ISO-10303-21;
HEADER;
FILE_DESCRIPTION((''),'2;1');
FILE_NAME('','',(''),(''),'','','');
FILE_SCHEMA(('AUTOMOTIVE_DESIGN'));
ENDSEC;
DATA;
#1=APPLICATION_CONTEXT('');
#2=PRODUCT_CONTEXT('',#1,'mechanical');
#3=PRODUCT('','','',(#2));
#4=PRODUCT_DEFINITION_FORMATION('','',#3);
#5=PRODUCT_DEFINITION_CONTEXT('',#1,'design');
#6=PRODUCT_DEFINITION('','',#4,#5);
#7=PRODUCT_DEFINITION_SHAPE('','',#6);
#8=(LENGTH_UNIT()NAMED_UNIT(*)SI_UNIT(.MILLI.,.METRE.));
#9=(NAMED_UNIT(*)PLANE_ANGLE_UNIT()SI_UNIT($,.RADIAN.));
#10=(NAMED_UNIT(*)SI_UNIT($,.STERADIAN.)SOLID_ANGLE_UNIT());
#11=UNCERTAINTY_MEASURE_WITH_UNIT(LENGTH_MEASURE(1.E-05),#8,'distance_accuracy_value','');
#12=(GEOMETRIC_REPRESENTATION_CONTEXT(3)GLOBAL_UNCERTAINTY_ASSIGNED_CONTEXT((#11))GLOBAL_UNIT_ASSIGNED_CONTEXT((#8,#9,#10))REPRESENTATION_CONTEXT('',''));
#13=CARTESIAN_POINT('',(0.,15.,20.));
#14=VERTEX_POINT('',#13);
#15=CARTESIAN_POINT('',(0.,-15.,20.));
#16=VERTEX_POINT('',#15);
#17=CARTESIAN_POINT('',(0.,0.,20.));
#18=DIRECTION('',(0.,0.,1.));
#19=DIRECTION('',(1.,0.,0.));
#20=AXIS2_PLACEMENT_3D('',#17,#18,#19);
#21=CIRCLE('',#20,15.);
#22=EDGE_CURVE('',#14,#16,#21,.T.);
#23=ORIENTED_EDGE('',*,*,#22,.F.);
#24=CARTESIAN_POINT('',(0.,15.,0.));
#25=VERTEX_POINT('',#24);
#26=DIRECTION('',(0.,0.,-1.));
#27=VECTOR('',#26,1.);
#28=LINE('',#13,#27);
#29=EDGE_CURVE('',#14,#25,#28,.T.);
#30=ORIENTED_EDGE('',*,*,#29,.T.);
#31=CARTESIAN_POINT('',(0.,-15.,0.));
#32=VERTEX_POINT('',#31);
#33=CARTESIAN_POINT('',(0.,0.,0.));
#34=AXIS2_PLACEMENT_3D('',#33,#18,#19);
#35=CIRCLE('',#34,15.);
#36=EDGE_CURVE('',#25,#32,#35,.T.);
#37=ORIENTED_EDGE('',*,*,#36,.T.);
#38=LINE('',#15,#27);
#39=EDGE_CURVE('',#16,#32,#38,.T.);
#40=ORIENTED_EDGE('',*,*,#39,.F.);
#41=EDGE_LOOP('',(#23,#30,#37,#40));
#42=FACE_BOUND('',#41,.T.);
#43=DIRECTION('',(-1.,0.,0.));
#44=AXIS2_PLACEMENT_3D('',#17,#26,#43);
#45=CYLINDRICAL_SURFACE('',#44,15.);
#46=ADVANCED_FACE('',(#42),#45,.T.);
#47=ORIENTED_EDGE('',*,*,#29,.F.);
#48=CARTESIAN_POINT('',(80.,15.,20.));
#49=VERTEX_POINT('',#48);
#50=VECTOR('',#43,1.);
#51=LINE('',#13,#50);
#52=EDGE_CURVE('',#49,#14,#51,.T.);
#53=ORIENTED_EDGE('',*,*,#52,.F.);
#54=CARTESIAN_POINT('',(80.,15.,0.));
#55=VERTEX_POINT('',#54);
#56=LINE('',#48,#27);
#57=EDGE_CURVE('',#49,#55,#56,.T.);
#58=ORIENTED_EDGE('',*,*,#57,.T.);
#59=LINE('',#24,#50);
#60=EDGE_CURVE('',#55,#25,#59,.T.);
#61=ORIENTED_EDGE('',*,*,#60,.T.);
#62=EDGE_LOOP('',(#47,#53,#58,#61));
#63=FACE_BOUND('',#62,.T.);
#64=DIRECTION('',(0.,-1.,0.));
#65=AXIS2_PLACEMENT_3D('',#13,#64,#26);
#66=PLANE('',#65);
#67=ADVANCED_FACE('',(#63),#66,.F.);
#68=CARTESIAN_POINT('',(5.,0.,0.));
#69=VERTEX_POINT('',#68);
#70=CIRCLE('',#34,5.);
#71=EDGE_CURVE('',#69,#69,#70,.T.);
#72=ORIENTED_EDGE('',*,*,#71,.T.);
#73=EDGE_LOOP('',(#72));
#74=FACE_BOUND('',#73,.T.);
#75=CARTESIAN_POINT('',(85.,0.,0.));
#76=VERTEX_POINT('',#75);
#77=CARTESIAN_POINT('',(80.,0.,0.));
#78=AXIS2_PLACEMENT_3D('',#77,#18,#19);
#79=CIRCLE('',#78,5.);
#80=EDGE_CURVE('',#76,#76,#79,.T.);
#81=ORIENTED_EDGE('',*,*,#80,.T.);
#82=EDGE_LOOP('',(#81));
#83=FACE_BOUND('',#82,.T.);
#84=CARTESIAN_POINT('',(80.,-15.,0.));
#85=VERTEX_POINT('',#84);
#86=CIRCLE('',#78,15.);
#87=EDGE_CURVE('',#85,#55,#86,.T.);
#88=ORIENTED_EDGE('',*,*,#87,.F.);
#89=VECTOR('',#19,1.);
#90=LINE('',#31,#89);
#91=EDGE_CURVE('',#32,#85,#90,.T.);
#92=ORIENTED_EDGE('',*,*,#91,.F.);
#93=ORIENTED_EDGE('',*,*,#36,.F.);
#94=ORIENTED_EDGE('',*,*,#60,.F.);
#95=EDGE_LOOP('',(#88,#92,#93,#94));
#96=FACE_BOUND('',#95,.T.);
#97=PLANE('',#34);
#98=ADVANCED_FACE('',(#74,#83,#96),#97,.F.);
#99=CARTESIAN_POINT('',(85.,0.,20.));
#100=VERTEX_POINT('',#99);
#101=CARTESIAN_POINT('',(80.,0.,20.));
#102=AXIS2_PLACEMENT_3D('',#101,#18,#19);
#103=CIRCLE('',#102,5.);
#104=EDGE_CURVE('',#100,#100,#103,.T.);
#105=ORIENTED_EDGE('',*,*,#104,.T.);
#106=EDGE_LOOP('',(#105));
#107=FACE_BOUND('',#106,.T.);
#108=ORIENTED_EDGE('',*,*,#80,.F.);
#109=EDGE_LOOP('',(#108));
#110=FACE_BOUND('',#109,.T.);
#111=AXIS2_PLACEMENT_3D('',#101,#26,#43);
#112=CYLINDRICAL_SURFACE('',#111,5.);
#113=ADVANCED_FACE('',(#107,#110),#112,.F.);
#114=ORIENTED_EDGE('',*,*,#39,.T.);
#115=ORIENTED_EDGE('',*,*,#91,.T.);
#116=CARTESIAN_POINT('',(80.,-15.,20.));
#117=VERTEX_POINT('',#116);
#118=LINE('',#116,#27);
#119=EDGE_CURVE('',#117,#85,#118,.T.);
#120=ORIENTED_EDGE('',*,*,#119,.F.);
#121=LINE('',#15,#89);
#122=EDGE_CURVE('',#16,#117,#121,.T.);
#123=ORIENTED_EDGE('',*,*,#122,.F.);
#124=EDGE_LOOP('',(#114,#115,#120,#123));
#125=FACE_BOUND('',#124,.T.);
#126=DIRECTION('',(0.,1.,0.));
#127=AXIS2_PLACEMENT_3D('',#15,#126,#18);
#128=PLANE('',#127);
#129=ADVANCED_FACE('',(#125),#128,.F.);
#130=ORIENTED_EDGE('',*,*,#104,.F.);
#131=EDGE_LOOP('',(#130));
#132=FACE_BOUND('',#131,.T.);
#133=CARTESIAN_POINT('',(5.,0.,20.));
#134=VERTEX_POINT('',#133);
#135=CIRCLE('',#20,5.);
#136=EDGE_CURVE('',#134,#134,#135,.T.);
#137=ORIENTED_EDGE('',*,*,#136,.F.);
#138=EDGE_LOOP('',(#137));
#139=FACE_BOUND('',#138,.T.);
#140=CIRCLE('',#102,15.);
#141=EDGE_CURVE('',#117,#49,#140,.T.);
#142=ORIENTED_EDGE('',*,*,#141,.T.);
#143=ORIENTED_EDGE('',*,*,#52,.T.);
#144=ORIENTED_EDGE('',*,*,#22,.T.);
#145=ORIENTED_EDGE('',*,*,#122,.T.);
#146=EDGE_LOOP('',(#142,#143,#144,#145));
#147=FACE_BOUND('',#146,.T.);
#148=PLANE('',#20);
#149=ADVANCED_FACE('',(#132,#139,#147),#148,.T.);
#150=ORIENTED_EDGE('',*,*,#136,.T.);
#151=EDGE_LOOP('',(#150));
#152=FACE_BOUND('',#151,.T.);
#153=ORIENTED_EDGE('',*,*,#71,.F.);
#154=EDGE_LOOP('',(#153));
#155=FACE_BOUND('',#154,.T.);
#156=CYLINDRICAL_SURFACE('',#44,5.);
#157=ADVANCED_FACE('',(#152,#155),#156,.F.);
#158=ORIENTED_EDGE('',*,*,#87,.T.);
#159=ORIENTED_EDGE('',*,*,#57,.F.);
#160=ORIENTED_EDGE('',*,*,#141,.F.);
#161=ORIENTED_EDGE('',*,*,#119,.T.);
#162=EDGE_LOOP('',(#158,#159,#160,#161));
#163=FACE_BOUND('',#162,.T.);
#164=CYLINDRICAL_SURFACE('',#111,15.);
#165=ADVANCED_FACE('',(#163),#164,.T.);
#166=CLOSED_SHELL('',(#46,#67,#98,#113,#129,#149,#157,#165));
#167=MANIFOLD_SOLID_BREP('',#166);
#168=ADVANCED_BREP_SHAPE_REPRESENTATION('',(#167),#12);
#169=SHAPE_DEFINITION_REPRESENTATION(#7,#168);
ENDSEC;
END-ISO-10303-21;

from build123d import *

# Parameters (mm, degrees)
SKETCH1_R           = 5
BOSS_EXTRUDE1_DEPTH = 20


with BuildPart() as part:
    # Sketch1 → Boss-Extrude1 (new body)
    with BuildSketch(Plane.XY):
        with BuildLine():
            Line((0, 15), (80, 15))
            ThreePointArc((80, 15), (95, 0), (80, -15))
            Line((80, -15), (0, -15))
            ThreePointArc((0, -15), (-15, 0), (0, 15))
        make_face()
        with Locations((80, 0)):
            Circle(SKETCH1_R, mode=Mode.SUBTRACT)
        Circle(SKETCH1_R, mode=Mode.SUBTRACT)
    extrude(amount=BOSS_EXTRUDE1_DEPTH)


solid = part.part
